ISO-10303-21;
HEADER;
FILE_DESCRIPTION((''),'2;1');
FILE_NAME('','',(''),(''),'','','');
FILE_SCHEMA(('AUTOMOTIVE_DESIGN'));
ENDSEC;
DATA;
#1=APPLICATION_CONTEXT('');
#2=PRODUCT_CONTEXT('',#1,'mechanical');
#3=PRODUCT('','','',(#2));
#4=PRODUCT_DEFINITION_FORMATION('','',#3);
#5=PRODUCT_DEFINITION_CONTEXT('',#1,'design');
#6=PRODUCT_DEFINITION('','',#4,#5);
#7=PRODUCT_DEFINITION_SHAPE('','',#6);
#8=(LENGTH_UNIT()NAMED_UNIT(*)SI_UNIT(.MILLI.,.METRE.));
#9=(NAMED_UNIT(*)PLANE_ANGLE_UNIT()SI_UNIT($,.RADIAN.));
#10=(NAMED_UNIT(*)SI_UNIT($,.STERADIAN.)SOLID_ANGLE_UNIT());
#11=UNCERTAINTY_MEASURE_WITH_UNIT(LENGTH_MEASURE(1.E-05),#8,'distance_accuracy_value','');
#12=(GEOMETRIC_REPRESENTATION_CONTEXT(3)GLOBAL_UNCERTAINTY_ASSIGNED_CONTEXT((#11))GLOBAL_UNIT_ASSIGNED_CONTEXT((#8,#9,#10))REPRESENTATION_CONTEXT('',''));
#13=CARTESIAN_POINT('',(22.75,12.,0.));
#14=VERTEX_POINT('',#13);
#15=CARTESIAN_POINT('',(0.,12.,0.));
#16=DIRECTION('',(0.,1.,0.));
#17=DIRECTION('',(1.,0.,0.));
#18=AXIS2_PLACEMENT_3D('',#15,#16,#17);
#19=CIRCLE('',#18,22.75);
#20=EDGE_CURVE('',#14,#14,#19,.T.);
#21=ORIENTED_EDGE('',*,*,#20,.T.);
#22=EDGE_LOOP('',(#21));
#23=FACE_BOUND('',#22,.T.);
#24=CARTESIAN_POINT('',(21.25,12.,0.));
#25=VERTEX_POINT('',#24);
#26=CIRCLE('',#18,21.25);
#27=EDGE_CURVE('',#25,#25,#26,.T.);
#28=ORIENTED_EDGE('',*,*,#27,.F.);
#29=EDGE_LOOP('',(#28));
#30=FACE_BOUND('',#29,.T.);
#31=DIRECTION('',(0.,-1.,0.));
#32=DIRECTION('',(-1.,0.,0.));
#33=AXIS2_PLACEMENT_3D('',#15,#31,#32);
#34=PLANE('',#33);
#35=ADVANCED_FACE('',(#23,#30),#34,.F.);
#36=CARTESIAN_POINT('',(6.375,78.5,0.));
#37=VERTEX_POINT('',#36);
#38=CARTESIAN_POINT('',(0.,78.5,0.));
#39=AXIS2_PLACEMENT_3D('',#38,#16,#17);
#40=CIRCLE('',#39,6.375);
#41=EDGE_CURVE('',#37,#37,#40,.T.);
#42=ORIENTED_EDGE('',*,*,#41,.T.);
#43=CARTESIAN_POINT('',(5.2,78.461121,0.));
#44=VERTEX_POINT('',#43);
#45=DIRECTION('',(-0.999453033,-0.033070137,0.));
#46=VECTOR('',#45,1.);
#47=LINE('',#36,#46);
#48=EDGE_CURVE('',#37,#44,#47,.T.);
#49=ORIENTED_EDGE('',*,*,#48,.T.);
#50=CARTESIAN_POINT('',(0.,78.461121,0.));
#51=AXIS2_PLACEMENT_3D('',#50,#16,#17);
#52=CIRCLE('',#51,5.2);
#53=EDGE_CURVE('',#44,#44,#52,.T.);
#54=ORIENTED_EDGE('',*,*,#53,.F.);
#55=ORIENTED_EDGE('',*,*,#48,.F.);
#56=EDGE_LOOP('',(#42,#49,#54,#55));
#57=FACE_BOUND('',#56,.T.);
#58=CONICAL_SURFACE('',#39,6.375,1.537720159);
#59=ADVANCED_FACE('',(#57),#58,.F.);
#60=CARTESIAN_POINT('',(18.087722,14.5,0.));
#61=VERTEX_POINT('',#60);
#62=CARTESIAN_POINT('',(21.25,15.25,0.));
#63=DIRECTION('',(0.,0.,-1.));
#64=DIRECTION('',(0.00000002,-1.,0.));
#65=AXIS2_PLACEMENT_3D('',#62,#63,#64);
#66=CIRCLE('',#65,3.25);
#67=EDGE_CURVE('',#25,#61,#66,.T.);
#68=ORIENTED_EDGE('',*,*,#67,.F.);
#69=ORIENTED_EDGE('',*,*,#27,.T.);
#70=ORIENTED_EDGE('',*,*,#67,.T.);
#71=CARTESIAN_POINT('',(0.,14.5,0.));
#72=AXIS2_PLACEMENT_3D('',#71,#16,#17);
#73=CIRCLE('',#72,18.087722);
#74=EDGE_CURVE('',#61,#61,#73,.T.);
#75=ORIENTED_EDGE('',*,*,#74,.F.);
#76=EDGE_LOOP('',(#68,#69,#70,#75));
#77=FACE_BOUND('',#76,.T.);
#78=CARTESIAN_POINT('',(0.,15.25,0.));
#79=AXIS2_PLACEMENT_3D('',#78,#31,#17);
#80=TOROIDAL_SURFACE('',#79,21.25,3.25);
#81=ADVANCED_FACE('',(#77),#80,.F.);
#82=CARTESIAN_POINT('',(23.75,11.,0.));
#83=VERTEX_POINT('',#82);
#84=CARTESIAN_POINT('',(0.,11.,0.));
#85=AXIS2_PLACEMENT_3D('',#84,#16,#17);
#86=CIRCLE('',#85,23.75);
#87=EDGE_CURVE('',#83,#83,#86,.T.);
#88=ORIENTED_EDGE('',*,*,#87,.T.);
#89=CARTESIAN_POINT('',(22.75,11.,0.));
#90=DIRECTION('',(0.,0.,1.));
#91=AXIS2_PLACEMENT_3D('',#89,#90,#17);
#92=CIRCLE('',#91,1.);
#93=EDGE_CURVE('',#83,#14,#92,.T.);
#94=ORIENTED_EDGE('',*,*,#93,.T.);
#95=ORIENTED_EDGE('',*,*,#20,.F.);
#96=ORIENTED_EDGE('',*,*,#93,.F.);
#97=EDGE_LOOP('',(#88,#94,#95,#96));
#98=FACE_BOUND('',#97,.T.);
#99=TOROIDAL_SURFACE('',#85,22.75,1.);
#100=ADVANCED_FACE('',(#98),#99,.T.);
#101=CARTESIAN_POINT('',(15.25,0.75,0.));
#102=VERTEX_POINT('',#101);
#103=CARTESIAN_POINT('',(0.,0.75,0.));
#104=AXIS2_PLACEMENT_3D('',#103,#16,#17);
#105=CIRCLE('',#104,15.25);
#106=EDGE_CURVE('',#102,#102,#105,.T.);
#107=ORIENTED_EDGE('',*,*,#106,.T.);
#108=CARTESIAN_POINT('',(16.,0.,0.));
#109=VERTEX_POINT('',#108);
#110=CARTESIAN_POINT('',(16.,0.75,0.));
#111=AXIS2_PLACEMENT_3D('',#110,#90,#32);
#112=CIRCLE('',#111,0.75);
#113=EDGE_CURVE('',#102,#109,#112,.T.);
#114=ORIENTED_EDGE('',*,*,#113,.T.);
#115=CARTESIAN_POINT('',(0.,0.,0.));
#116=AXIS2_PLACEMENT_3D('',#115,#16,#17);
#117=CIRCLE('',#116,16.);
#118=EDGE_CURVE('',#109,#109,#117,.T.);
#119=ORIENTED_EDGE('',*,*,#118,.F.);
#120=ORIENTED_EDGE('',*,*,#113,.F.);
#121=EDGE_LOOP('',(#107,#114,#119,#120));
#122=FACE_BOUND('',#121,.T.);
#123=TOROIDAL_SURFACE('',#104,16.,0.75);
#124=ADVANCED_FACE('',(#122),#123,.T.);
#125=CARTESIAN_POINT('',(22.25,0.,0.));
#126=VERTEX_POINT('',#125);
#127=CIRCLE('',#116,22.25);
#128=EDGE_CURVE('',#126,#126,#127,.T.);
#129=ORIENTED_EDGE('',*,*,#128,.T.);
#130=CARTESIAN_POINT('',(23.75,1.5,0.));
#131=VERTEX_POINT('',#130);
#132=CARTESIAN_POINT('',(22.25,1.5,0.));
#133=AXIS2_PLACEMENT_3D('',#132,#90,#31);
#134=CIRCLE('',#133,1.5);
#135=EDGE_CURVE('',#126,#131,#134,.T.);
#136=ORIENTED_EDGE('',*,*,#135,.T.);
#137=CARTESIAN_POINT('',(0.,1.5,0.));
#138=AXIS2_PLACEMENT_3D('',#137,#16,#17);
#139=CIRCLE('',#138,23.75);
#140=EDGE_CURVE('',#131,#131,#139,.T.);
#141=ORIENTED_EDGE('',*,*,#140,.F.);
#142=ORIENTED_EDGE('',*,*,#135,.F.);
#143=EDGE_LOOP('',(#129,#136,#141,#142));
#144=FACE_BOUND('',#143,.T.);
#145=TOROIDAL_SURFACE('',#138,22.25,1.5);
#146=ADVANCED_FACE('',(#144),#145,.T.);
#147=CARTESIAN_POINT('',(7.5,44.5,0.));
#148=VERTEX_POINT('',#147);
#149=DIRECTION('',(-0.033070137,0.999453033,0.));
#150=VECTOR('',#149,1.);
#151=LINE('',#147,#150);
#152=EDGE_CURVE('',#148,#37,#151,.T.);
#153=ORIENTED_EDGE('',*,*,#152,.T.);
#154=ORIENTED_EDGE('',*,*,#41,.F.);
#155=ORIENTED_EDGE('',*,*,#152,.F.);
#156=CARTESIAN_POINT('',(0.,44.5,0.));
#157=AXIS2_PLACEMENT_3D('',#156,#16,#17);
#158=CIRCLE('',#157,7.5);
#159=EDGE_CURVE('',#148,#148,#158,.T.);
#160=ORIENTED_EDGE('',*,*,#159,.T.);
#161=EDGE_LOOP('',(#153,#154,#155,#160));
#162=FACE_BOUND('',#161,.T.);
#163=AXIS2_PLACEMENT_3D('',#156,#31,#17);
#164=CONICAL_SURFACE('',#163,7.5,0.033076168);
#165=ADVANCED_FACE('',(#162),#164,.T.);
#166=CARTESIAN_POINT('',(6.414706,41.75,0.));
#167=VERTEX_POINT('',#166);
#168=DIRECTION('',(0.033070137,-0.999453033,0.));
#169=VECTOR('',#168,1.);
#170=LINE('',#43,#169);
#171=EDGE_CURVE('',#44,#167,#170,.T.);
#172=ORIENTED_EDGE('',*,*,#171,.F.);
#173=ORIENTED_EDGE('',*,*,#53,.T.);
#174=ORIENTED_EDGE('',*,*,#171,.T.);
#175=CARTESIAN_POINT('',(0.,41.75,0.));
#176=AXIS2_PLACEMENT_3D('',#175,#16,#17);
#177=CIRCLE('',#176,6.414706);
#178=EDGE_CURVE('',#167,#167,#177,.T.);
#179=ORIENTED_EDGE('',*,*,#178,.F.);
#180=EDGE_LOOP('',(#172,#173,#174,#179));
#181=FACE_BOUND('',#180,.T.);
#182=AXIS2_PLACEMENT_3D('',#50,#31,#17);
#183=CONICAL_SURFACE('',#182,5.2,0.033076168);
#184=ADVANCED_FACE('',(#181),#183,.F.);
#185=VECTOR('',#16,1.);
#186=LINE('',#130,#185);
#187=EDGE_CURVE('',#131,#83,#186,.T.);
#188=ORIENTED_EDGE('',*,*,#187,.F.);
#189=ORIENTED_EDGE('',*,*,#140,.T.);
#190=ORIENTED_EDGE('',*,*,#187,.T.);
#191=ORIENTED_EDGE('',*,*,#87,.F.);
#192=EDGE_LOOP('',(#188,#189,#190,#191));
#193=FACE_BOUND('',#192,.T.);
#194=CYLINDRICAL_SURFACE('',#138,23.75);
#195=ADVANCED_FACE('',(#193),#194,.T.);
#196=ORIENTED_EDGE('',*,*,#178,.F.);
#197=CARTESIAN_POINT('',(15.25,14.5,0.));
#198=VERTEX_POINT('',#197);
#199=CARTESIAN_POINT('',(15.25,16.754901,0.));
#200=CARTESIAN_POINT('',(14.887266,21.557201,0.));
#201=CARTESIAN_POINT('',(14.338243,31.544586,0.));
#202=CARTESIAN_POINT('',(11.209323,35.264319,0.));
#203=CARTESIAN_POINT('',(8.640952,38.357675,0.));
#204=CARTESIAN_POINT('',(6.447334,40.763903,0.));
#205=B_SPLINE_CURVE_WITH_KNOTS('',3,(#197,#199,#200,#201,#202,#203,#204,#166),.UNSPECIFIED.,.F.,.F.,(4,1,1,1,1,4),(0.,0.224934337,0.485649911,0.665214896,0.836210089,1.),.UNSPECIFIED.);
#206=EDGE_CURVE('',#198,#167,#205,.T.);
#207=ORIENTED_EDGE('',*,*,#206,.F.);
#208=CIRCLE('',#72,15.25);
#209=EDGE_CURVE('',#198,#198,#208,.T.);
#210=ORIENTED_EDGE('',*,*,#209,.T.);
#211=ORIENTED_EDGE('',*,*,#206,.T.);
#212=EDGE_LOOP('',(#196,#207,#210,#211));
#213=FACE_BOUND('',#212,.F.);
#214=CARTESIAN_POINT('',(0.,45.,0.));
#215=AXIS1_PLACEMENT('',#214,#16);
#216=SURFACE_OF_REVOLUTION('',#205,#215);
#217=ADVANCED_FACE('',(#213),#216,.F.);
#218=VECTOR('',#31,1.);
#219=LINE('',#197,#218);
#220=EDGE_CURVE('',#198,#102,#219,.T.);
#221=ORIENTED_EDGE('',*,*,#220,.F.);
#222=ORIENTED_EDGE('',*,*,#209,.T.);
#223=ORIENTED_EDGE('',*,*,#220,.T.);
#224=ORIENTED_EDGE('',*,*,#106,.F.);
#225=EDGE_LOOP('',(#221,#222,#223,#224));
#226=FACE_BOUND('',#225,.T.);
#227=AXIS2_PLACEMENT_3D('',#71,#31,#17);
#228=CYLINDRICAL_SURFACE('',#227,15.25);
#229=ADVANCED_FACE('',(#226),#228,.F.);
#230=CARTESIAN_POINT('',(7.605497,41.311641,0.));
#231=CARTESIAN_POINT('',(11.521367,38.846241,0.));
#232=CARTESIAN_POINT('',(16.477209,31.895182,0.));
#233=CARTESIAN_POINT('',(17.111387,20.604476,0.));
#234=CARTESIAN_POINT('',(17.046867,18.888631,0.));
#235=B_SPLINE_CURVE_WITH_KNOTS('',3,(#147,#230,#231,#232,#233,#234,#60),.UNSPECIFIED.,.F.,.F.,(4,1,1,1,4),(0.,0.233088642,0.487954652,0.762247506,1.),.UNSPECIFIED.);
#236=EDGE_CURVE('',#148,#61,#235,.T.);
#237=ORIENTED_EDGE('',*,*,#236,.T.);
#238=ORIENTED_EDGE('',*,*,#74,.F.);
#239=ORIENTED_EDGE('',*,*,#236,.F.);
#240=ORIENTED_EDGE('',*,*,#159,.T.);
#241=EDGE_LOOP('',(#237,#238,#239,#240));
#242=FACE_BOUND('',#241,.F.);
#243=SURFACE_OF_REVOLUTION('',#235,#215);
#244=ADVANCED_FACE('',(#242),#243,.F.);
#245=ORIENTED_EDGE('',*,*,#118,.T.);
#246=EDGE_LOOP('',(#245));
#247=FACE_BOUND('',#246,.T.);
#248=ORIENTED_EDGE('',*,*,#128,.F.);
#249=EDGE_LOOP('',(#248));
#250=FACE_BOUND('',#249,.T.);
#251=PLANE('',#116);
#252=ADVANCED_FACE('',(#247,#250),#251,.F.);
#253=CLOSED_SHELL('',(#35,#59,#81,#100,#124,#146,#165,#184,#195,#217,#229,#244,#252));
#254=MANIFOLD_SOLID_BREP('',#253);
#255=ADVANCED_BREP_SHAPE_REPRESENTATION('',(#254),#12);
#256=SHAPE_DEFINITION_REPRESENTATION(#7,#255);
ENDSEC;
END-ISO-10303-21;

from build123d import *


with BuildPart() as f1:
    # F0 (on Top) → F1 (revolve)
    with BuildSketch(Plane.XY):
        with BuildLine():
            ThreePointArc((22.25, 0), (23.3106601718, 0.4393398282), (23.75, 1.5))
            Line((23.75, 1.5), (23.75, 10.9999999801))
            ThreePointArc((23.75, 10.9999999801), (23.4571067742, 11.7071067683), (22.7499999801, 11.9999999801))
            Line((22.7499999801, 11.9999999801), (21.2499999801, 11.9999999503))
            ThreePointArc((21.2499999801, 11.9999999503), (19.2344355291, 12.7004901534), (18.0877222702, 14.4999998874))
            add(Edge.make_bspline(
                [(7.5, 44.4999998874), (7.6054971803, 41.3116406604), (11.5213671507, 38.8462409165), (16.4772094085, 31.8951817693), (17.1113870409, 20.6044761685), (17.0468668855, 18.8886311394), (18.0877222702, 14.4999998874)],
                knots=[0, 0, 0, 0, 0.2330886418, 0.487954652, 0.7622475065, 1, 1, 1, 1], degree=3))
            Line((7.5, 44.4999998874), (6.375, 78.4999998874))
            Line((6.375, 78.4999998874), (5.2, 78.4611212109))
            Line((5.2, 78.4611212109), (6.4147062203, 41.7499998874))
            add(Edge.make_bspline(
                [(15.25, 14.4999998874), (15.25, 16.754901156), (14.8872660997, 21.5572014629), (14.3382432317, 31.5445858305), (11.2093232348, 35.2643194805), (8.6409520102, 38.3576745947), (6.4473344323, 40.7639028118), (6.4147062203, 41.7499998874)],
                knots=[0, 0, 0, 0, 0.2249343375, 0.4856499114, 0.6652148959, 0.8362100892, 1, 1, 1, 1], degree=3))
            Line((15.25, 14.4999998874), (15.25, 0.75))
            ThreePointArc((15.25, 0.75), (15.4696699141, 0.2196699141), (16, 0))
            Line((16, 0), (22.25, 0))
        make_face()
    revolve(axis=Axis((0, 45, 0), (0, 1, 0)))


solid = f1.part
